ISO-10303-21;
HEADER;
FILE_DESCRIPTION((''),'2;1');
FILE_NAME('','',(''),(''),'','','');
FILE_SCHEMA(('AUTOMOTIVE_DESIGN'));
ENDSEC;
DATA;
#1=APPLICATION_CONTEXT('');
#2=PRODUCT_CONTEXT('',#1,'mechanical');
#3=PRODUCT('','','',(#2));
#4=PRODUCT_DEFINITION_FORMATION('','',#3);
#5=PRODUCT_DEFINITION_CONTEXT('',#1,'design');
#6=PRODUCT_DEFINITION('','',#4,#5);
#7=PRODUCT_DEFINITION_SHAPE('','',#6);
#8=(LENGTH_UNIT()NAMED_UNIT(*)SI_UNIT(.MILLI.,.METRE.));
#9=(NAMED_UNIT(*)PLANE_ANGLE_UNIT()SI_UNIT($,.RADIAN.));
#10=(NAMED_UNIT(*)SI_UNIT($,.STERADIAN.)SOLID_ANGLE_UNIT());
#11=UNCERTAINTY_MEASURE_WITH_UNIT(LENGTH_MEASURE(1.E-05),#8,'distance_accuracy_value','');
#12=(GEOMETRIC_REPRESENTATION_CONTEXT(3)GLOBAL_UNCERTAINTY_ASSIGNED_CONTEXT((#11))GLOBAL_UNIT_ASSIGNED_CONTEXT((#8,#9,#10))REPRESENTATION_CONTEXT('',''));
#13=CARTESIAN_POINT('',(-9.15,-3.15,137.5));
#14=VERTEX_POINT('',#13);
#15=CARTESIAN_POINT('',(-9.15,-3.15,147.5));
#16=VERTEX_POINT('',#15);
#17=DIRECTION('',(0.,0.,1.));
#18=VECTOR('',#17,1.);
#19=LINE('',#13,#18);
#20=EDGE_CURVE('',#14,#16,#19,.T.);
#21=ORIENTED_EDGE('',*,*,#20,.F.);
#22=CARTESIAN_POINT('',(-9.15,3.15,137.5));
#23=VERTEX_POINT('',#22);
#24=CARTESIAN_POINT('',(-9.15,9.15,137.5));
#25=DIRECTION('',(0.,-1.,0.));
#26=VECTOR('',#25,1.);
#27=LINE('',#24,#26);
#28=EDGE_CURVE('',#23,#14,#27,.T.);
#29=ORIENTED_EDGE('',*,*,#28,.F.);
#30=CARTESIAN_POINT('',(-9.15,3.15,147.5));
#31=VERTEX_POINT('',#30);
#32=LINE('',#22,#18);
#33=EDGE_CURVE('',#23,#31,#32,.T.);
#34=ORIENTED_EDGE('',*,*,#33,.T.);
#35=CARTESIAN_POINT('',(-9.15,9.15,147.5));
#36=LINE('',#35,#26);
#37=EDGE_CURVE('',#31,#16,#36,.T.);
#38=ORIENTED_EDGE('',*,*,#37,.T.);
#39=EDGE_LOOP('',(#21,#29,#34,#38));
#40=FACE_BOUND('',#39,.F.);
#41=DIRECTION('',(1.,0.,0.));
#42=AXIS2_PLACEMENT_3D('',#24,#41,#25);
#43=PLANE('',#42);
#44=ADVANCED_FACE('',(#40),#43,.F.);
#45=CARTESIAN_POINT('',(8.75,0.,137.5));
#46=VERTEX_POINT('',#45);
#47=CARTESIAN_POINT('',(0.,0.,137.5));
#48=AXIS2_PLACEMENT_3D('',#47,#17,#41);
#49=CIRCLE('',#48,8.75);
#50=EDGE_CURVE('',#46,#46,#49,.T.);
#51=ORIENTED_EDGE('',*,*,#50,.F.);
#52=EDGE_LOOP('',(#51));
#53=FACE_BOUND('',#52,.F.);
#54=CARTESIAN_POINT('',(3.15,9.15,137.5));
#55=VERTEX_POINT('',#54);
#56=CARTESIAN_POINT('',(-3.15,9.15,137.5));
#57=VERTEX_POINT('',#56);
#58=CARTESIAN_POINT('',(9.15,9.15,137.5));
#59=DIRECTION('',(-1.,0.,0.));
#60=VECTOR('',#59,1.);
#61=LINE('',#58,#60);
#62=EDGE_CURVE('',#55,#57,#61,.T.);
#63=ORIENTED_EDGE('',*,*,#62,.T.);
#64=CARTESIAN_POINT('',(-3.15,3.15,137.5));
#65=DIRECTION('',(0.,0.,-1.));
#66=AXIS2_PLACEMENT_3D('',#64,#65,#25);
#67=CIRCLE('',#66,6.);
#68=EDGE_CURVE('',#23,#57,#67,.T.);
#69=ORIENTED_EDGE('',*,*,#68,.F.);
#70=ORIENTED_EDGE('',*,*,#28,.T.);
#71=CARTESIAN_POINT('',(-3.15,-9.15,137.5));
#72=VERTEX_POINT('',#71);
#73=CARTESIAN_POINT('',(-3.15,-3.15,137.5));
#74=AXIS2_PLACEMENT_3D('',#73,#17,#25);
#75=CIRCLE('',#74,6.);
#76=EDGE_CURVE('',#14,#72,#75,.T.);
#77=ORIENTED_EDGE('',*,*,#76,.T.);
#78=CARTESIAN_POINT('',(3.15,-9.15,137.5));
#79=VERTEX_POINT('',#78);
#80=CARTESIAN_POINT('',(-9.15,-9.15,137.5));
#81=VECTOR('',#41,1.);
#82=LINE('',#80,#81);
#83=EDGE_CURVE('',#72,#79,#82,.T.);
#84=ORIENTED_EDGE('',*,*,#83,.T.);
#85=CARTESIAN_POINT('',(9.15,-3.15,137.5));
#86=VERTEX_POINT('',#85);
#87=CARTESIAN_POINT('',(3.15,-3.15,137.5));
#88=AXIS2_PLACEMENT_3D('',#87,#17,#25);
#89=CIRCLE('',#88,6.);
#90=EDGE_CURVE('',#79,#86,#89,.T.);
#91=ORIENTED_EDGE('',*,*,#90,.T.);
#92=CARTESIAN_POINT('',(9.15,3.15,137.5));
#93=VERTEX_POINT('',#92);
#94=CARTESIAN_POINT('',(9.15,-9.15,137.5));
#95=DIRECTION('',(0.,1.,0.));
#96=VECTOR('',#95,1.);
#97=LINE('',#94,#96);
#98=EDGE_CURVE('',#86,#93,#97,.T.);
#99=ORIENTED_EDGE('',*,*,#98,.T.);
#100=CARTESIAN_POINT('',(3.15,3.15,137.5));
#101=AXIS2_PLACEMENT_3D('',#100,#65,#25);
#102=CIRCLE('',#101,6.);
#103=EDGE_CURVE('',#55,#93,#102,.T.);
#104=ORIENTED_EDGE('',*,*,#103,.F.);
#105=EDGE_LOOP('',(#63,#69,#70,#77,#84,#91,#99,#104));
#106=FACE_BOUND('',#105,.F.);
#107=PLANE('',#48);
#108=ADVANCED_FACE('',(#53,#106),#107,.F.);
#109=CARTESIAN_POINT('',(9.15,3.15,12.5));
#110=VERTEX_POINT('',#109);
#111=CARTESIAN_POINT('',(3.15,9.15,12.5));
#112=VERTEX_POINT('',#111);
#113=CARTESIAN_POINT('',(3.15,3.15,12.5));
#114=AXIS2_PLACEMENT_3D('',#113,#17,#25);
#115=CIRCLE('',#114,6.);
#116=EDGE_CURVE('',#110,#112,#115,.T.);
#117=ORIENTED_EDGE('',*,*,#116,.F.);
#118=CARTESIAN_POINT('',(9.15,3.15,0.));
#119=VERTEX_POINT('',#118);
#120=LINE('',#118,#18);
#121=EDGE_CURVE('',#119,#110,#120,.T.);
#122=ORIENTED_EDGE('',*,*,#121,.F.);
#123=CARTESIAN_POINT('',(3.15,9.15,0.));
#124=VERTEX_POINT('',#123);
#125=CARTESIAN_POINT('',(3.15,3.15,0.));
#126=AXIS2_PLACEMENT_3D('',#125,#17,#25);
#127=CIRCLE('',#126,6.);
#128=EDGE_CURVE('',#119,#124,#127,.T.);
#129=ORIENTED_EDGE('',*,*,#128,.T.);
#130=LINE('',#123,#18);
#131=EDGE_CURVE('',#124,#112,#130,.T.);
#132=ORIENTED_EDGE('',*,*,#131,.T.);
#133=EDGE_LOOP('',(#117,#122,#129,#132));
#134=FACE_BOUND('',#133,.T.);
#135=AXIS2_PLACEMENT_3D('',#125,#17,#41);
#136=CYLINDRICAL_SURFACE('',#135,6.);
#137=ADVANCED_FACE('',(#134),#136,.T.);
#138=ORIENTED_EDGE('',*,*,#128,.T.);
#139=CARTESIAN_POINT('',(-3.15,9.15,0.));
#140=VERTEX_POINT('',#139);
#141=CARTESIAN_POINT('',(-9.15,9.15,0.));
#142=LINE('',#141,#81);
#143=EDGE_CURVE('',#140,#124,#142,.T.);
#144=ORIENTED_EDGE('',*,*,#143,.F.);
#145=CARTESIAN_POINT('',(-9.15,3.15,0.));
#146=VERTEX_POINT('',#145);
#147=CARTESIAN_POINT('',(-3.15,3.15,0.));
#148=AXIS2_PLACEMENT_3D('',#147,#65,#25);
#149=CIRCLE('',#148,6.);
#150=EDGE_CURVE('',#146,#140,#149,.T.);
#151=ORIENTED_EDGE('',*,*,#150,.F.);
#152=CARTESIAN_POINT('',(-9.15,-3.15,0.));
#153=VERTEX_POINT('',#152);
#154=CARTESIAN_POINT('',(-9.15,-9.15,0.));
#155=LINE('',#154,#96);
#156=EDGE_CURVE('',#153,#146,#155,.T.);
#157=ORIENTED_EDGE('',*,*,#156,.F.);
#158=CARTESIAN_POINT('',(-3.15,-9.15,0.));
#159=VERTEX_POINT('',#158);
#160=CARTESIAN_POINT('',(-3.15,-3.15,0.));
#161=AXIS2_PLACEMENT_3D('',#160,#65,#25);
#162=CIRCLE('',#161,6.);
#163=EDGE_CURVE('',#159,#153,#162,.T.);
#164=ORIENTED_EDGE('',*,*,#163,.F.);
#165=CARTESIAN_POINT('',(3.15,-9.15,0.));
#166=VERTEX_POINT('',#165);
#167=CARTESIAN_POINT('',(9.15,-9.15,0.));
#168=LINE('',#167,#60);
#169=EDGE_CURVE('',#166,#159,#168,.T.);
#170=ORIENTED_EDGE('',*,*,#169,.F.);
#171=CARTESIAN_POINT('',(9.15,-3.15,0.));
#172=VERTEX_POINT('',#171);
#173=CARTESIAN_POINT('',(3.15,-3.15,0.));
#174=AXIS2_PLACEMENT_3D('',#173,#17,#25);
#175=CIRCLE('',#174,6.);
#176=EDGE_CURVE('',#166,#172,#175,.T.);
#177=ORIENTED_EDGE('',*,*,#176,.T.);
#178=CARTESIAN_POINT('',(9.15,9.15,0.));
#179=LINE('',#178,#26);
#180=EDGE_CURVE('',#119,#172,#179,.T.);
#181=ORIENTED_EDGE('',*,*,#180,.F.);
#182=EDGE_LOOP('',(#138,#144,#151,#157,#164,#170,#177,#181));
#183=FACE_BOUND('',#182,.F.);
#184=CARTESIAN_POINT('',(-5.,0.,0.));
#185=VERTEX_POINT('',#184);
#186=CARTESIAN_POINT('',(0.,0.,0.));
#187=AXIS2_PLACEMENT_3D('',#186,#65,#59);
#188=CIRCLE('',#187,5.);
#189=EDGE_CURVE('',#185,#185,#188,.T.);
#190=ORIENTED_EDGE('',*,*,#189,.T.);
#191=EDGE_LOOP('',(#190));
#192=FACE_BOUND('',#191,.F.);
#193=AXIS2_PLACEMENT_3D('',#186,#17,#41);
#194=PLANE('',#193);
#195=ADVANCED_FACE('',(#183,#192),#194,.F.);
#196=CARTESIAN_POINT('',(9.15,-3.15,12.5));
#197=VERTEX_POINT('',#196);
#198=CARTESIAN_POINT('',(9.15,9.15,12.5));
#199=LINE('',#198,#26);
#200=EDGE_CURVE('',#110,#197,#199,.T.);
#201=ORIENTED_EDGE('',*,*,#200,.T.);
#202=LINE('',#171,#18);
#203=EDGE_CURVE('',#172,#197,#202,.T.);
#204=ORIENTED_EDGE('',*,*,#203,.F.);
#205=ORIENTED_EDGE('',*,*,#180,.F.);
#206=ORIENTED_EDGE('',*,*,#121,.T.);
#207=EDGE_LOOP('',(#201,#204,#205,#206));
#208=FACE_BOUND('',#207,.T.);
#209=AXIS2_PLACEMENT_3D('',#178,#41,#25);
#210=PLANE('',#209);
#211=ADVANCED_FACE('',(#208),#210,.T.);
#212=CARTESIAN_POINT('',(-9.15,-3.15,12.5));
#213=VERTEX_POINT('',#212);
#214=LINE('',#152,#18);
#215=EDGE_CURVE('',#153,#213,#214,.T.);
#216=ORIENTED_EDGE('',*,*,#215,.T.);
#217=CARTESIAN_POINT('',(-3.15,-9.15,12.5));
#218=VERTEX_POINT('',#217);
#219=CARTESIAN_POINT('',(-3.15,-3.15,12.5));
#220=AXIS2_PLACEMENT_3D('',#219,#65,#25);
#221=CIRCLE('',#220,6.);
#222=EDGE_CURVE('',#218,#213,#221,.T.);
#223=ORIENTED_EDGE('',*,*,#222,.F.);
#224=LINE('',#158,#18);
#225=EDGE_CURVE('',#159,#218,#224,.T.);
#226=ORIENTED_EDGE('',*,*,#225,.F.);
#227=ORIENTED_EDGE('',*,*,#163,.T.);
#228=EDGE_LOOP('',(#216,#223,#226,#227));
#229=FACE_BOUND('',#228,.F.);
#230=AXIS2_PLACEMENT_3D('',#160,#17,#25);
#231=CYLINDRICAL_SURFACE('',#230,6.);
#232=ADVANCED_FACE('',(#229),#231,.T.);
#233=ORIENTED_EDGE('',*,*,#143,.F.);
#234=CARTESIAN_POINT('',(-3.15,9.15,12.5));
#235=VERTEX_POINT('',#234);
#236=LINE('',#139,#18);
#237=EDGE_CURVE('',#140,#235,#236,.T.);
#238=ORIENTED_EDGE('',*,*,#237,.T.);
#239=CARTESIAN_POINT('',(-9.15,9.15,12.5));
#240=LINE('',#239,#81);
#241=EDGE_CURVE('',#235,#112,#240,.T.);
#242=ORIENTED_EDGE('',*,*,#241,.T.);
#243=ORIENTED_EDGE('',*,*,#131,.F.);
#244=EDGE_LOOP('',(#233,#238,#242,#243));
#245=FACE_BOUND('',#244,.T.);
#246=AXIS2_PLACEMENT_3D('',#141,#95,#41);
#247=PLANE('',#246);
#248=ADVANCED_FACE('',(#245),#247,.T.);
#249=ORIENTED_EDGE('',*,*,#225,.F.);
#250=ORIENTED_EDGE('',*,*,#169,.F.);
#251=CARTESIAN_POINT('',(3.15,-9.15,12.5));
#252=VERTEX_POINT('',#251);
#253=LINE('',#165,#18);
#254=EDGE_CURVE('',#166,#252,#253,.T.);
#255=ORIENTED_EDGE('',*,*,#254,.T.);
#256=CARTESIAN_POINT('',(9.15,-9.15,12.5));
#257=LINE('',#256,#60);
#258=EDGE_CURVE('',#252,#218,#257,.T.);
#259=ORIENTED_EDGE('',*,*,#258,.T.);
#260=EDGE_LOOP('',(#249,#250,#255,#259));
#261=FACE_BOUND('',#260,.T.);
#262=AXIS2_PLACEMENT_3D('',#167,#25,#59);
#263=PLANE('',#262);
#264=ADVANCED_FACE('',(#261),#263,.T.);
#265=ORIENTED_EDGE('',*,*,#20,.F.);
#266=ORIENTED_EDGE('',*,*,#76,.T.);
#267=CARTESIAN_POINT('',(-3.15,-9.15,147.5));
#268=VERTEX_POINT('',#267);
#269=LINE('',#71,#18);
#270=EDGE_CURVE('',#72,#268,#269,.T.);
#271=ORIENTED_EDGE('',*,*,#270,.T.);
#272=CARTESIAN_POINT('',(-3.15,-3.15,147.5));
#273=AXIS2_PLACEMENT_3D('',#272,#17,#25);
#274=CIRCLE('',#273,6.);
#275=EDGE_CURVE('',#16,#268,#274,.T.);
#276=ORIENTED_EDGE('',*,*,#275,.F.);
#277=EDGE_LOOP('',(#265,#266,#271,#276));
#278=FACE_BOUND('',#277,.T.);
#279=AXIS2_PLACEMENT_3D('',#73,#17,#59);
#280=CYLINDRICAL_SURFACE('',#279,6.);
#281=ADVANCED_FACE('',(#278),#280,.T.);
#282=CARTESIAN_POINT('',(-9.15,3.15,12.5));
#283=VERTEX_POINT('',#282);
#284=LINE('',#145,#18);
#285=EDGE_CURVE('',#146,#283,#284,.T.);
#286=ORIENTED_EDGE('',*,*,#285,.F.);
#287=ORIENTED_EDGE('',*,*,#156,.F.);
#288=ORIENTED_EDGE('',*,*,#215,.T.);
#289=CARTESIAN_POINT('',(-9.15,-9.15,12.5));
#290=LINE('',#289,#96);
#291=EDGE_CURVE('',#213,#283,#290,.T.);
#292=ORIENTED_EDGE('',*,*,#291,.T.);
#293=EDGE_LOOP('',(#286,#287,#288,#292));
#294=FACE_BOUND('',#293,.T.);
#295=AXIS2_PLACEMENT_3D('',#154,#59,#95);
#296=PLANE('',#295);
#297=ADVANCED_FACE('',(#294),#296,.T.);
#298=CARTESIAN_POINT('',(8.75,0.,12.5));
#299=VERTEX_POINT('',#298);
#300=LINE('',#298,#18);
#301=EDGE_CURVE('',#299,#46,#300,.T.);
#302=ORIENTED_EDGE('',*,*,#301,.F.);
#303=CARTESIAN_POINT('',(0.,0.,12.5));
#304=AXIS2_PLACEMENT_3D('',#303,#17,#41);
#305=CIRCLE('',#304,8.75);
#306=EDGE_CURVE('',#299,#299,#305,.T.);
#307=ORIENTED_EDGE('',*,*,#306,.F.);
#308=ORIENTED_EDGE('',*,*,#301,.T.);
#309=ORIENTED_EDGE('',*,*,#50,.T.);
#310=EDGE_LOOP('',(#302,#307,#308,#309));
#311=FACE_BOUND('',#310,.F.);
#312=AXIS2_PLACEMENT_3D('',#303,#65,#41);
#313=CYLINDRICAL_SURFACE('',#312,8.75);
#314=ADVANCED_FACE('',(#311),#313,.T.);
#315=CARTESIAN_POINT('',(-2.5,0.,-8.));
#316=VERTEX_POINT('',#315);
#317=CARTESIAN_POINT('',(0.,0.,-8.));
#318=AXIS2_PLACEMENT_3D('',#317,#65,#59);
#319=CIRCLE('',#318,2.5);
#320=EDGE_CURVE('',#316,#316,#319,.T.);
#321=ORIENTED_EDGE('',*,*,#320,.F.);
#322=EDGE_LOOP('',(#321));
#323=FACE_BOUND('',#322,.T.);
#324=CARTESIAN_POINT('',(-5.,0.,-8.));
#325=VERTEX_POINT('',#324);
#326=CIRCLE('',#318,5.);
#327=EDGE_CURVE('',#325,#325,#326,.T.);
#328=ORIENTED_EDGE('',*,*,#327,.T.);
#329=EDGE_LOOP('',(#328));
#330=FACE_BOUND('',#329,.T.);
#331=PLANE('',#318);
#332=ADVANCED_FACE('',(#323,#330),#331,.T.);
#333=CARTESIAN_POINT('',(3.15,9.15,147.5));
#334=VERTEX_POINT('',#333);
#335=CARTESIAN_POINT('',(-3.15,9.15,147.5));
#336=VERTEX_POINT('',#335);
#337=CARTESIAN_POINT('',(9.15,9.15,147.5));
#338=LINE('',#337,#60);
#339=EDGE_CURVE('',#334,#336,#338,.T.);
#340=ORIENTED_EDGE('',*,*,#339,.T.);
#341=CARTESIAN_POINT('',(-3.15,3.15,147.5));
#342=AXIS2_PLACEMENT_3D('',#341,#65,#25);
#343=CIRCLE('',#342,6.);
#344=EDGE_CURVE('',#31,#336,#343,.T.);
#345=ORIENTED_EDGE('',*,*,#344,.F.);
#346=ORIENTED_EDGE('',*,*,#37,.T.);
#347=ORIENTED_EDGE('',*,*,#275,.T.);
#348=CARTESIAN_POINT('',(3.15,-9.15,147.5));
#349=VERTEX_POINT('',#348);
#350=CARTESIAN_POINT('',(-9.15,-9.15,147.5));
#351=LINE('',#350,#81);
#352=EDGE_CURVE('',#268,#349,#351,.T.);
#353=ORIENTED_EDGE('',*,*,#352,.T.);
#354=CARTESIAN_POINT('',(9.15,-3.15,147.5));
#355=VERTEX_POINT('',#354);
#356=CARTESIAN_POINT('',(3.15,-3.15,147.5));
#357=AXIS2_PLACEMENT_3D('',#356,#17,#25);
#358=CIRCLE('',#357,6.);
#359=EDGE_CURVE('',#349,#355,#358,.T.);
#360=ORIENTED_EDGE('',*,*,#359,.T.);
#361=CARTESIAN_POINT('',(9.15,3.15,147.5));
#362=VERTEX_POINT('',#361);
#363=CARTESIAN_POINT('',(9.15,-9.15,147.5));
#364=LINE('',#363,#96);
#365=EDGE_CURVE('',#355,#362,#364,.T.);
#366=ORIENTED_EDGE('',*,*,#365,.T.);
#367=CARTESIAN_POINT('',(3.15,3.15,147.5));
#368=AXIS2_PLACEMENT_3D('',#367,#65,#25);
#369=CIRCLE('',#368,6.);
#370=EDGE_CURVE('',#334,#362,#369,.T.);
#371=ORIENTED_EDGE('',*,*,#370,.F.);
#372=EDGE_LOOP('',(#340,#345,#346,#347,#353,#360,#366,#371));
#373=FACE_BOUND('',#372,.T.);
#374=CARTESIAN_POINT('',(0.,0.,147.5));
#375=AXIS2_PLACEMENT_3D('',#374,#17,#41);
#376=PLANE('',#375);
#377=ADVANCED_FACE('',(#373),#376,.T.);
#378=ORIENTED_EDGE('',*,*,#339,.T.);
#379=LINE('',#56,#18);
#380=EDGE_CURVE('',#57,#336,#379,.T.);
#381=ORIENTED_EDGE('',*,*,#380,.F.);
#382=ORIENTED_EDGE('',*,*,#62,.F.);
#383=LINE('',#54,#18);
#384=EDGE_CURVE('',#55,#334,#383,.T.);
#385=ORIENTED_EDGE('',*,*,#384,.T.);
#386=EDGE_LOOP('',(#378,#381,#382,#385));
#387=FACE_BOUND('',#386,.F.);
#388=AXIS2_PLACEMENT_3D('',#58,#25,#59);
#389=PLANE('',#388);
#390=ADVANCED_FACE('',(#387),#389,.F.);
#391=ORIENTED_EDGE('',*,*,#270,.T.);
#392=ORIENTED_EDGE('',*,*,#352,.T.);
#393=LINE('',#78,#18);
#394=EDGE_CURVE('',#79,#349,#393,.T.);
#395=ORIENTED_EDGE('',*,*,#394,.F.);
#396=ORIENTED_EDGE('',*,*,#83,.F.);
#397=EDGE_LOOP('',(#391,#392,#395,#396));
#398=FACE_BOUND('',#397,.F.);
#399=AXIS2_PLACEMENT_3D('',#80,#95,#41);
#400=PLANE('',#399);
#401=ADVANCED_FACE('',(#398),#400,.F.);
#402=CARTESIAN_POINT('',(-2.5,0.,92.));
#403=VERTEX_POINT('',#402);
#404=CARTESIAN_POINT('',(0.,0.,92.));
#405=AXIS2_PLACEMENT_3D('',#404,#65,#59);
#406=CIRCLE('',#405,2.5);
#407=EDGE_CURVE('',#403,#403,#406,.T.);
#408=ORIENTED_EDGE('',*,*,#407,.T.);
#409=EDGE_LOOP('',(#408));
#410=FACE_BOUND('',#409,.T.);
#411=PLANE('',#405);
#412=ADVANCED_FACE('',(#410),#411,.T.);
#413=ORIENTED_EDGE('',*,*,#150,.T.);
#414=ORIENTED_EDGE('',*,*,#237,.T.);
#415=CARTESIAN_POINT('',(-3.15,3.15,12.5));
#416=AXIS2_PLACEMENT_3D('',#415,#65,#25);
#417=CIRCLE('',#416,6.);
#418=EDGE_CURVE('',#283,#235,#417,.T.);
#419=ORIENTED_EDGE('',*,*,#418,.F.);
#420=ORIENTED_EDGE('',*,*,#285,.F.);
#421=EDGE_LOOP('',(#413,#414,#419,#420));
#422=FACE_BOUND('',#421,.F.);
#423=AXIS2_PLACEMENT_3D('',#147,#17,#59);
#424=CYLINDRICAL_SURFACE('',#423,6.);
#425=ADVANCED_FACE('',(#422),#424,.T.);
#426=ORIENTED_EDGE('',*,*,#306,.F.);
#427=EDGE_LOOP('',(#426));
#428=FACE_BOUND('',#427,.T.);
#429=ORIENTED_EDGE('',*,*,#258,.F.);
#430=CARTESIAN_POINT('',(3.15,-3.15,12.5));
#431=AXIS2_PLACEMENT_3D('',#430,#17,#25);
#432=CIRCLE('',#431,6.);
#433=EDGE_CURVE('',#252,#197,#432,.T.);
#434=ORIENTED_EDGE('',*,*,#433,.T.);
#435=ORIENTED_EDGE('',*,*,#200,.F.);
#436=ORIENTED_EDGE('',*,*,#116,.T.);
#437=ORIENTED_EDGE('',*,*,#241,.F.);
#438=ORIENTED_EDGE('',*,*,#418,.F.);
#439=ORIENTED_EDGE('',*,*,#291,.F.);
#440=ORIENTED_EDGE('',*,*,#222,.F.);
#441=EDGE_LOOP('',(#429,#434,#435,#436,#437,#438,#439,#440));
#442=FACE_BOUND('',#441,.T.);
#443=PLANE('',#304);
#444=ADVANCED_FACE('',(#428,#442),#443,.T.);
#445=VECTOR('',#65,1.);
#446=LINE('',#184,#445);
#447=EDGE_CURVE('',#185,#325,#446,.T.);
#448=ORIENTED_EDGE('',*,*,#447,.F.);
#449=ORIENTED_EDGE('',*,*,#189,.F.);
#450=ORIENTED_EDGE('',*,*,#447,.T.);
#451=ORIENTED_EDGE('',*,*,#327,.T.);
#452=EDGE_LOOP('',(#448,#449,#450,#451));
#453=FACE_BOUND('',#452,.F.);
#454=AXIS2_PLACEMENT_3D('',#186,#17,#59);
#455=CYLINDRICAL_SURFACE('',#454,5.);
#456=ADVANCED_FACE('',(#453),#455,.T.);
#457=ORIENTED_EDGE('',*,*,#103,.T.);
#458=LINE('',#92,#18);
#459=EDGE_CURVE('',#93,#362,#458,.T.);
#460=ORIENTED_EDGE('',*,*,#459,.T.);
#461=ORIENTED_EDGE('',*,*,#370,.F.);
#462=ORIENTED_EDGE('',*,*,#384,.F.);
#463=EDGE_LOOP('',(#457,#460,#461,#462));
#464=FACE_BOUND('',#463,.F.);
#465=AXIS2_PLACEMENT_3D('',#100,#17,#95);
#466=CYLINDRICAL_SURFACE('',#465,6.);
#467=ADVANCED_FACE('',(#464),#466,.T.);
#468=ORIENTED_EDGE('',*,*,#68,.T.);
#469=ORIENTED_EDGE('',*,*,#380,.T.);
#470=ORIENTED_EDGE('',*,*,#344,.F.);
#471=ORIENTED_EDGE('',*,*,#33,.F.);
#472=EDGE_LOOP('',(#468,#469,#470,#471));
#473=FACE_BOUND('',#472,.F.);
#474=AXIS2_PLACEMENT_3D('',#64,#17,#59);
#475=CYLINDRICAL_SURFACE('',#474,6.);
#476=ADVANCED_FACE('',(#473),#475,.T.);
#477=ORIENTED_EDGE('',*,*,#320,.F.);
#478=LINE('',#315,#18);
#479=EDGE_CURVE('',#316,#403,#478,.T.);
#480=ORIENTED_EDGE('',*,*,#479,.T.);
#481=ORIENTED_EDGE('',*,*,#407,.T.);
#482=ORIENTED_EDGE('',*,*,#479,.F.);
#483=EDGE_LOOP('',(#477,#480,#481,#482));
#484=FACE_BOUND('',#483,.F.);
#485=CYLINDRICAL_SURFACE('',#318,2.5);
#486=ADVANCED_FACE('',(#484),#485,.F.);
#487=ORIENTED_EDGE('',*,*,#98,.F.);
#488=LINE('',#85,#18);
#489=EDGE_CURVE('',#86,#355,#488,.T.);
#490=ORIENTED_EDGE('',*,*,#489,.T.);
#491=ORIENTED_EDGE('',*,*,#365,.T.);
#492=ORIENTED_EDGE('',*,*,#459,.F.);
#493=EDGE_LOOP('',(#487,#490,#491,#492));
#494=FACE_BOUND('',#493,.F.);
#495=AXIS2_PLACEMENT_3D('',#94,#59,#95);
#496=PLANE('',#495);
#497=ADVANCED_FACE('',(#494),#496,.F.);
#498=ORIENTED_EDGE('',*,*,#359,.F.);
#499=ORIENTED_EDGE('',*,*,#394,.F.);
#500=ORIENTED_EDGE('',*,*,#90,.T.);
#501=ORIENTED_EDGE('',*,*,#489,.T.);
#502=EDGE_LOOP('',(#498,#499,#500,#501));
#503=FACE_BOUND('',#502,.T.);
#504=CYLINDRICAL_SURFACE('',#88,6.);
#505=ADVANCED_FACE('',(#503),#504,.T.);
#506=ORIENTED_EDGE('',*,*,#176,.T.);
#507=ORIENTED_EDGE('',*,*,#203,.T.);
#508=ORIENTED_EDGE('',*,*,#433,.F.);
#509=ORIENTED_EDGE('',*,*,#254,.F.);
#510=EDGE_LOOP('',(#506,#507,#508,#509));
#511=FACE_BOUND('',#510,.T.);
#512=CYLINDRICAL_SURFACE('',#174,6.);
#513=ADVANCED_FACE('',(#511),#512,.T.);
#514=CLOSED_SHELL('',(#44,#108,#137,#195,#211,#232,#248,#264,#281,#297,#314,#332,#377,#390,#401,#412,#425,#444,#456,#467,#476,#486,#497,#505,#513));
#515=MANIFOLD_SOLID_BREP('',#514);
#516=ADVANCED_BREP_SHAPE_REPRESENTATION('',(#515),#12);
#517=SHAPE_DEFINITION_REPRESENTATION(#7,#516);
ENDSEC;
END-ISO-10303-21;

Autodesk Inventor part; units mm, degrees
ref_plane "YZ Plane" through (0, 0, 0) normal (1, 0, 0) x (0, 1, 0)
ref_plane "XZ Plane" through (0, 0, 0) normal (0, 1, 0) x (-1, 0, 0)
ref_plane "XY Plane" through (0, 0, 0) normal (0, 0, 1) x (1, 0, 0)
sketch "スケッチ1" plane through (0, 0, 0) normal (0, 0, 1) x (1, 0, 0)
  line L0 (9.15, -9.15) -> (-9.15, -9.15)
  line L1 (-9.15, -9.15) -> (-9.15, 9.15)
  line L2 (-9.15, 9.15) -> (9.15, 9.15)
  line L3 (9.15, 9.15) -> (9.15, -9.15)
  line L4 (9.15, -9.15) -> (-9.15, 9.15) construction
  line L5 (-9.15, -9.15) -> (9.15, 9.15) construction
  point P0 (0, 0)
  dimension "d0" = 18.3
  dimension "d1" = 18.3
extrude "押し出し1" add sketch "スケッチ1" along normal blind 12.5
sketch "スケッチ2" plane through (0, 0, 12.5) normal (0, 0, 1) x (1, 0, 0)
  circle A0 centre (0, 0) radius 8.75
  dimension "d4" = 17.5
extrude "押し出し2" add sketch "スケッチ2" along normal blind 125
sketch "スケッチ3" plane through (0, 0, 137.5) normal (0, 0, 1) x (1, 0, 0)
  line L0 (-9.15, -9.15) -> (9.15, -9.15)
  line L1 (9.15, -9.15) -> (9.15, 9.15)
  line L2 (9.15, 9.15) -> (-9.15, 9.15)
  line L3 (-9.15, 9.15) -> (-9.15, -9.15)
  line L4 (-9.15, -9.15) -> (9.15, 9.15) construction
  line L5 (9.15, -9.15) -> (-9.15, 9.15) construction
  point P0 (0, 0)
  dimension "d7" = 18.3
  dimension "d8" = 18.3
extrude "押し出し3" add sketch "スケッチ3" along normal blind 10
fillet "フィレット1" radius 6 4 edges at (9.15, 9.15, 142.5) (9.15, -9.15, 142.5) (-9.15, 9.15, 142.5) (-9.15, -9.15, 142.5)
fillet "フィレット2" radius 6 4 edges at (9.15, 9.15, 6.25) (9.15, -9.15, 6.25) (-9.15, 9.15, 6.25) (-9.15, -9.15, 6.25)
sketch "スケッチ4" plane through (0, 0, 0) normal (0, 0, -1) x (-1, 0, 0)
  circle A0 centre (0, 0) radius 5
  dimension "d13" = 10
extrude "押し出し4" add sketch "スケッチ4" along normal blind 8
sketch "スケッチ5" plane through (0, 0, -8) normal (0, 0, -1) x (-1, 0, 0)
  circle A0 centre (0, 0) radius 2.5
  dimension "d16" = 5
extrude "押し出し5" cut sketch "スケッチ5" against normal blind 100
properties part number "aircylinder16_100_part1_sa" material "アルミニウム 6061-AHC"
